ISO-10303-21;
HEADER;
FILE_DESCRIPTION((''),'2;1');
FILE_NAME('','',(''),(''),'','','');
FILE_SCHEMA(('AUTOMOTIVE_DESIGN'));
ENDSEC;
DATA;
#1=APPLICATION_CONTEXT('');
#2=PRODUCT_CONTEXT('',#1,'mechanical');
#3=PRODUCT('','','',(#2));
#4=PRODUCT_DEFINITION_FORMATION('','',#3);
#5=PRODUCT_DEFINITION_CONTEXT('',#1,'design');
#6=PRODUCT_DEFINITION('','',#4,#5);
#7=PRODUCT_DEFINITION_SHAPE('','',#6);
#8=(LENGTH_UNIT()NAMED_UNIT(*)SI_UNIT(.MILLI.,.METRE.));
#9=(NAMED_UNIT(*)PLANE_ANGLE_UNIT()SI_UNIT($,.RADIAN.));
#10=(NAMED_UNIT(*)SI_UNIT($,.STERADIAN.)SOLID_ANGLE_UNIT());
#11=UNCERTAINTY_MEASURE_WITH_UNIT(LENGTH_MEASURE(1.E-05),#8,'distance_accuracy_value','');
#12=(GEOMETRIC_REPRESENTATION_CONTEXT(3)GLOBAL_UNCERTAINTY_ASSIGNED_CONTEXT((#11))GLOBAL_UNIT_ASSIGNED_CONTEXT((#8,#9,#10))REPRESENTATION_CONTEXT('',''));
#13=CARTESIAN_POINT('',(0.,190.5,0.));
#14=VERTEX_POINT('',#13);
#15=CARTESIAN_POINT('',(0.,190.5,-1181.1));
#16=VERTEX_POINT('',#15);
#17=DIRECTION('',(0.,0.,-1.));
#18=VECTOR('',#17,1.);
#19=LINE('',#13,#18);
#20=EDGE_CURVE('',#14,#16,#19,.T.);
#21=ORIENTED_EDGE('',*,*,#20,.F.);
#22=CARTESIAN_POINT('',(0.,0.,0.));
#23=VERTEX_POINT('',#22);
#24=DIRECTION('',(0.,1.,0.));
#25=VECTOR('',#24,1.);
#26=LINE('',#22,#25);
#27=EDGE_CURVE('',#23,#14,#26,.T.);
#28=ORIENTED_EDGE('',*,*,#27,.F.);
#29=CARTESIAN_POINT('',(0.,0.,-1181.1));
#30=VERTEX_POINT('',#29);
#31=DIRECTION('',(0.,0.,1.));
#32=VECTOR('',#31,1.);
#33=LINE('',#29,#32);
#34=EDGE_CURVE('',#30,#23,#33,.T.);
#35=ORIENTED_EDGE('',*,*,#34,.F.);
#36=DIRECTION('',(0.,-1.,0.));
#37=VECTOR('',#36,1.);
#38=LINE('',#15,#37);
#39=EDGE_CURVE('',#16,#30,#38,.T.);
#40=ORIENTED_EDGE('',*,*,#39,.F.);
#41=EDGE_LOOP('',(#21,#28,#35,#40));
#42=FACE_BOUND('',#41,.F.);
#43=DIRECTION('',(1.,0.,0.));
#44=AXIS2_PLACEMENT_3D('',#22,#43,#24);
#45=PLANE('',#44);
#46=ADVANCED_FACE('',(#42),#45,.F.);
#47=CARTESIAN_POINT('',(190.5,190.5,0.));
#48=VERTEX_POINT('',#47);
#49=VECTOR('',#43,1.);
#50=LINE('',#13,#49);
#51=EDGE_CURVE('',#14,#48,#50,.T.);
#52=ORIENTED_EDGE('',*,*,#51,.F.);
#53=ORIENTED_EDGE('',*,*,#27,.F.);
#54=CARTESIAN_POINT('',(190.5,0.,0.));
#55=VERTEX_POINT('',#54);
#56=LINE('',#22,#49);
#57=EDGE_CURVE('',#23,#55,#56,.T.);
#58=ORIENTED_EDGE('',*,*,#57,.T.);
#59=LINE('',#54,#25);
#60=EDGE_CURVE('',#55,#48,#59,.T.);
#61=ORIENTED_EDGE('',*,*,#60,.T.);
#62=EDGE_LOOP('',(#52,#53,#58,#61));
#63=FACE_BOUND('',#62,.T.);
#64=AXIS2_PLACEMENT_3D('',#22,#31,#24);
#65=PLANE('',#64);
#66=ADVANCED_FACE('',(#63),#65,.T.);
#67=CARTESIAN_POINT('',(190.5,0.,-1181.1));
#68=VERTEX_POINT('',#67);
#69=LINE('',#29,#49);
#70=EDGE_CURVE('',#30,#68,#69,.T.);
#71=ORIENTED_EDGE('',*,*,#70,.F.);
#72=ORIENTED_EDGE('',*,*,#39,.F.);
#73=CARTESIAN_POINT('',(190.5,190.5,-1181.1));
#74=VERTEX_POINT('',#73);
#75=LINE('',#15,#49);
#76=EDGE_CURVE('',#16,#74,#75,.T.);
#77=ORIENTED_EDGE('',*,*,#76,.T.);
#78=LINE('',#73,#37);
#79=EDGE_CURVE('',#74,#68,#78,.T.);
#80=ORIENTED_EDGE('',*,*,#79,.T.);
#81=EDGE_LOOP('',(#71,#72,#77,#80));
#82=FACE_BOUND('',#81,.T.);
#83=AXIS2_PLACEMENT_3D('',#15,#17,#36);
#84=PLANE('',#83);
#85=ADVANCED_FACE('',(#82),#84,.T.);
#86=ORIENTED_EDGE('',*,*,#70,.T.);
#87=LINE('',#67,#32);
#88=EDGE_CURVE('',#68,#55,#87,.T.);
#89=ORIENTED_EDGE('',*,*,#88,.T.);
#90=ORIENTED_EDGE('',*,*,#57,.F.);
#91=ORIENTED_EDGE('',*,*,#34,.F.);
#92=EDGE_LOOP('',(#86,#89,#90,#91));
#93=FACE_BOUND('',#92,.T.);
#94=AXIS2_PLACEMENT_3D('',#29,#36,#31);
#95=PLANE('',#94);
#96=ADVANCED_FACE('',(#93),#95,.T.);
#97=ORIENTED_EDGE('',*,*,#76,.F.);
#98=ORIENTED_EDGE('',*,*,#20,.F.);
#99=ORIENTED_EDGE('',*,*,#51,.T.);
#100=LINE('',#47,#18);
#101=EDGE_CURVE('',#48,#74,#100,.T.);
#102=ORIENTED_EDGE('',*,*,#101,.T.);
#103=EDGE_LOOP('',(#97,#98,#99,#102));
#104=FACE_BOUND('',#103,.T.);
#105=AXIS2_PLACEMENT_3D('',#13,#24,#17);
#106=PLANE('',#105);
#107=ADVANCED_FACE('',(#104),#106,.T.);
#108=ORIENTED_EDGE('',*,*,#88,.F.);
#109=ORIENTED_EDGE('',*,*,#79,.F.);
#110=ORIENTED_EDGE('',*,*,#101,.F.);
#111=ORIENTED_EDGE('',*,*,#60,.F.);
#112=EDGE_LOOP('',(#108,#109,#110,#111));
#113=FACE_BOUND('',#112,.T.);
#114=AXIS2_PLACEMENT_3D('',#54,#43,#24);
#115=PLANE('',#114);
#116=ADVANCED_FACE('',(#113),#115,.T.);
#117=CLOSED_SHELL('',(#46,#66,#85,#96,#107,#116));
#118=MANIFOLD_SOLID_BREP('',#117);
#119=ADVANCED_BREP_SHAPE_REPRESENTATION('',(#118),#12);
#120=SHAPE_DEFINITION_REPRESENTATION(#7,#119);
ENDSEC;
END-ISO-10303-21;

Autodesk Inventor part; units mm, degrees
ref_plane "YZ Plane" through (0, 0, 0) normal (1, 0, 0) x (0, 1, 0)
ref_plane "XZ Plane" through (0, 0, 0) normal (0, 1, 0) x (-1, 0, 0)
ref_plane "XY Plane" through (0, 0, 0) normal (0, 0, 1) x (1, 0, 0)
sketch "Sketch1" plane through (0, 0, 0) normal (1, 0, 0) x (0, 1, 0)
  line L0 (0, 0) -> (190.5, 0)
  line L1 (190.5, 0) -> (190.5, -1181.1)
  line L2 (190.5, -1181.1) -> (0, -1181.1)
  line L3 (0, -1181.1) -> (0, 0)
  dimension "d2" = 190.5
  dimension "d3" = 1181.1
extrude "Extrusion1" add sketch "Sketch1" along normal blind 190.5
properties part number "Board--1.5_x_3.5_x_46.5" material "Wood (Southern Pine)"
